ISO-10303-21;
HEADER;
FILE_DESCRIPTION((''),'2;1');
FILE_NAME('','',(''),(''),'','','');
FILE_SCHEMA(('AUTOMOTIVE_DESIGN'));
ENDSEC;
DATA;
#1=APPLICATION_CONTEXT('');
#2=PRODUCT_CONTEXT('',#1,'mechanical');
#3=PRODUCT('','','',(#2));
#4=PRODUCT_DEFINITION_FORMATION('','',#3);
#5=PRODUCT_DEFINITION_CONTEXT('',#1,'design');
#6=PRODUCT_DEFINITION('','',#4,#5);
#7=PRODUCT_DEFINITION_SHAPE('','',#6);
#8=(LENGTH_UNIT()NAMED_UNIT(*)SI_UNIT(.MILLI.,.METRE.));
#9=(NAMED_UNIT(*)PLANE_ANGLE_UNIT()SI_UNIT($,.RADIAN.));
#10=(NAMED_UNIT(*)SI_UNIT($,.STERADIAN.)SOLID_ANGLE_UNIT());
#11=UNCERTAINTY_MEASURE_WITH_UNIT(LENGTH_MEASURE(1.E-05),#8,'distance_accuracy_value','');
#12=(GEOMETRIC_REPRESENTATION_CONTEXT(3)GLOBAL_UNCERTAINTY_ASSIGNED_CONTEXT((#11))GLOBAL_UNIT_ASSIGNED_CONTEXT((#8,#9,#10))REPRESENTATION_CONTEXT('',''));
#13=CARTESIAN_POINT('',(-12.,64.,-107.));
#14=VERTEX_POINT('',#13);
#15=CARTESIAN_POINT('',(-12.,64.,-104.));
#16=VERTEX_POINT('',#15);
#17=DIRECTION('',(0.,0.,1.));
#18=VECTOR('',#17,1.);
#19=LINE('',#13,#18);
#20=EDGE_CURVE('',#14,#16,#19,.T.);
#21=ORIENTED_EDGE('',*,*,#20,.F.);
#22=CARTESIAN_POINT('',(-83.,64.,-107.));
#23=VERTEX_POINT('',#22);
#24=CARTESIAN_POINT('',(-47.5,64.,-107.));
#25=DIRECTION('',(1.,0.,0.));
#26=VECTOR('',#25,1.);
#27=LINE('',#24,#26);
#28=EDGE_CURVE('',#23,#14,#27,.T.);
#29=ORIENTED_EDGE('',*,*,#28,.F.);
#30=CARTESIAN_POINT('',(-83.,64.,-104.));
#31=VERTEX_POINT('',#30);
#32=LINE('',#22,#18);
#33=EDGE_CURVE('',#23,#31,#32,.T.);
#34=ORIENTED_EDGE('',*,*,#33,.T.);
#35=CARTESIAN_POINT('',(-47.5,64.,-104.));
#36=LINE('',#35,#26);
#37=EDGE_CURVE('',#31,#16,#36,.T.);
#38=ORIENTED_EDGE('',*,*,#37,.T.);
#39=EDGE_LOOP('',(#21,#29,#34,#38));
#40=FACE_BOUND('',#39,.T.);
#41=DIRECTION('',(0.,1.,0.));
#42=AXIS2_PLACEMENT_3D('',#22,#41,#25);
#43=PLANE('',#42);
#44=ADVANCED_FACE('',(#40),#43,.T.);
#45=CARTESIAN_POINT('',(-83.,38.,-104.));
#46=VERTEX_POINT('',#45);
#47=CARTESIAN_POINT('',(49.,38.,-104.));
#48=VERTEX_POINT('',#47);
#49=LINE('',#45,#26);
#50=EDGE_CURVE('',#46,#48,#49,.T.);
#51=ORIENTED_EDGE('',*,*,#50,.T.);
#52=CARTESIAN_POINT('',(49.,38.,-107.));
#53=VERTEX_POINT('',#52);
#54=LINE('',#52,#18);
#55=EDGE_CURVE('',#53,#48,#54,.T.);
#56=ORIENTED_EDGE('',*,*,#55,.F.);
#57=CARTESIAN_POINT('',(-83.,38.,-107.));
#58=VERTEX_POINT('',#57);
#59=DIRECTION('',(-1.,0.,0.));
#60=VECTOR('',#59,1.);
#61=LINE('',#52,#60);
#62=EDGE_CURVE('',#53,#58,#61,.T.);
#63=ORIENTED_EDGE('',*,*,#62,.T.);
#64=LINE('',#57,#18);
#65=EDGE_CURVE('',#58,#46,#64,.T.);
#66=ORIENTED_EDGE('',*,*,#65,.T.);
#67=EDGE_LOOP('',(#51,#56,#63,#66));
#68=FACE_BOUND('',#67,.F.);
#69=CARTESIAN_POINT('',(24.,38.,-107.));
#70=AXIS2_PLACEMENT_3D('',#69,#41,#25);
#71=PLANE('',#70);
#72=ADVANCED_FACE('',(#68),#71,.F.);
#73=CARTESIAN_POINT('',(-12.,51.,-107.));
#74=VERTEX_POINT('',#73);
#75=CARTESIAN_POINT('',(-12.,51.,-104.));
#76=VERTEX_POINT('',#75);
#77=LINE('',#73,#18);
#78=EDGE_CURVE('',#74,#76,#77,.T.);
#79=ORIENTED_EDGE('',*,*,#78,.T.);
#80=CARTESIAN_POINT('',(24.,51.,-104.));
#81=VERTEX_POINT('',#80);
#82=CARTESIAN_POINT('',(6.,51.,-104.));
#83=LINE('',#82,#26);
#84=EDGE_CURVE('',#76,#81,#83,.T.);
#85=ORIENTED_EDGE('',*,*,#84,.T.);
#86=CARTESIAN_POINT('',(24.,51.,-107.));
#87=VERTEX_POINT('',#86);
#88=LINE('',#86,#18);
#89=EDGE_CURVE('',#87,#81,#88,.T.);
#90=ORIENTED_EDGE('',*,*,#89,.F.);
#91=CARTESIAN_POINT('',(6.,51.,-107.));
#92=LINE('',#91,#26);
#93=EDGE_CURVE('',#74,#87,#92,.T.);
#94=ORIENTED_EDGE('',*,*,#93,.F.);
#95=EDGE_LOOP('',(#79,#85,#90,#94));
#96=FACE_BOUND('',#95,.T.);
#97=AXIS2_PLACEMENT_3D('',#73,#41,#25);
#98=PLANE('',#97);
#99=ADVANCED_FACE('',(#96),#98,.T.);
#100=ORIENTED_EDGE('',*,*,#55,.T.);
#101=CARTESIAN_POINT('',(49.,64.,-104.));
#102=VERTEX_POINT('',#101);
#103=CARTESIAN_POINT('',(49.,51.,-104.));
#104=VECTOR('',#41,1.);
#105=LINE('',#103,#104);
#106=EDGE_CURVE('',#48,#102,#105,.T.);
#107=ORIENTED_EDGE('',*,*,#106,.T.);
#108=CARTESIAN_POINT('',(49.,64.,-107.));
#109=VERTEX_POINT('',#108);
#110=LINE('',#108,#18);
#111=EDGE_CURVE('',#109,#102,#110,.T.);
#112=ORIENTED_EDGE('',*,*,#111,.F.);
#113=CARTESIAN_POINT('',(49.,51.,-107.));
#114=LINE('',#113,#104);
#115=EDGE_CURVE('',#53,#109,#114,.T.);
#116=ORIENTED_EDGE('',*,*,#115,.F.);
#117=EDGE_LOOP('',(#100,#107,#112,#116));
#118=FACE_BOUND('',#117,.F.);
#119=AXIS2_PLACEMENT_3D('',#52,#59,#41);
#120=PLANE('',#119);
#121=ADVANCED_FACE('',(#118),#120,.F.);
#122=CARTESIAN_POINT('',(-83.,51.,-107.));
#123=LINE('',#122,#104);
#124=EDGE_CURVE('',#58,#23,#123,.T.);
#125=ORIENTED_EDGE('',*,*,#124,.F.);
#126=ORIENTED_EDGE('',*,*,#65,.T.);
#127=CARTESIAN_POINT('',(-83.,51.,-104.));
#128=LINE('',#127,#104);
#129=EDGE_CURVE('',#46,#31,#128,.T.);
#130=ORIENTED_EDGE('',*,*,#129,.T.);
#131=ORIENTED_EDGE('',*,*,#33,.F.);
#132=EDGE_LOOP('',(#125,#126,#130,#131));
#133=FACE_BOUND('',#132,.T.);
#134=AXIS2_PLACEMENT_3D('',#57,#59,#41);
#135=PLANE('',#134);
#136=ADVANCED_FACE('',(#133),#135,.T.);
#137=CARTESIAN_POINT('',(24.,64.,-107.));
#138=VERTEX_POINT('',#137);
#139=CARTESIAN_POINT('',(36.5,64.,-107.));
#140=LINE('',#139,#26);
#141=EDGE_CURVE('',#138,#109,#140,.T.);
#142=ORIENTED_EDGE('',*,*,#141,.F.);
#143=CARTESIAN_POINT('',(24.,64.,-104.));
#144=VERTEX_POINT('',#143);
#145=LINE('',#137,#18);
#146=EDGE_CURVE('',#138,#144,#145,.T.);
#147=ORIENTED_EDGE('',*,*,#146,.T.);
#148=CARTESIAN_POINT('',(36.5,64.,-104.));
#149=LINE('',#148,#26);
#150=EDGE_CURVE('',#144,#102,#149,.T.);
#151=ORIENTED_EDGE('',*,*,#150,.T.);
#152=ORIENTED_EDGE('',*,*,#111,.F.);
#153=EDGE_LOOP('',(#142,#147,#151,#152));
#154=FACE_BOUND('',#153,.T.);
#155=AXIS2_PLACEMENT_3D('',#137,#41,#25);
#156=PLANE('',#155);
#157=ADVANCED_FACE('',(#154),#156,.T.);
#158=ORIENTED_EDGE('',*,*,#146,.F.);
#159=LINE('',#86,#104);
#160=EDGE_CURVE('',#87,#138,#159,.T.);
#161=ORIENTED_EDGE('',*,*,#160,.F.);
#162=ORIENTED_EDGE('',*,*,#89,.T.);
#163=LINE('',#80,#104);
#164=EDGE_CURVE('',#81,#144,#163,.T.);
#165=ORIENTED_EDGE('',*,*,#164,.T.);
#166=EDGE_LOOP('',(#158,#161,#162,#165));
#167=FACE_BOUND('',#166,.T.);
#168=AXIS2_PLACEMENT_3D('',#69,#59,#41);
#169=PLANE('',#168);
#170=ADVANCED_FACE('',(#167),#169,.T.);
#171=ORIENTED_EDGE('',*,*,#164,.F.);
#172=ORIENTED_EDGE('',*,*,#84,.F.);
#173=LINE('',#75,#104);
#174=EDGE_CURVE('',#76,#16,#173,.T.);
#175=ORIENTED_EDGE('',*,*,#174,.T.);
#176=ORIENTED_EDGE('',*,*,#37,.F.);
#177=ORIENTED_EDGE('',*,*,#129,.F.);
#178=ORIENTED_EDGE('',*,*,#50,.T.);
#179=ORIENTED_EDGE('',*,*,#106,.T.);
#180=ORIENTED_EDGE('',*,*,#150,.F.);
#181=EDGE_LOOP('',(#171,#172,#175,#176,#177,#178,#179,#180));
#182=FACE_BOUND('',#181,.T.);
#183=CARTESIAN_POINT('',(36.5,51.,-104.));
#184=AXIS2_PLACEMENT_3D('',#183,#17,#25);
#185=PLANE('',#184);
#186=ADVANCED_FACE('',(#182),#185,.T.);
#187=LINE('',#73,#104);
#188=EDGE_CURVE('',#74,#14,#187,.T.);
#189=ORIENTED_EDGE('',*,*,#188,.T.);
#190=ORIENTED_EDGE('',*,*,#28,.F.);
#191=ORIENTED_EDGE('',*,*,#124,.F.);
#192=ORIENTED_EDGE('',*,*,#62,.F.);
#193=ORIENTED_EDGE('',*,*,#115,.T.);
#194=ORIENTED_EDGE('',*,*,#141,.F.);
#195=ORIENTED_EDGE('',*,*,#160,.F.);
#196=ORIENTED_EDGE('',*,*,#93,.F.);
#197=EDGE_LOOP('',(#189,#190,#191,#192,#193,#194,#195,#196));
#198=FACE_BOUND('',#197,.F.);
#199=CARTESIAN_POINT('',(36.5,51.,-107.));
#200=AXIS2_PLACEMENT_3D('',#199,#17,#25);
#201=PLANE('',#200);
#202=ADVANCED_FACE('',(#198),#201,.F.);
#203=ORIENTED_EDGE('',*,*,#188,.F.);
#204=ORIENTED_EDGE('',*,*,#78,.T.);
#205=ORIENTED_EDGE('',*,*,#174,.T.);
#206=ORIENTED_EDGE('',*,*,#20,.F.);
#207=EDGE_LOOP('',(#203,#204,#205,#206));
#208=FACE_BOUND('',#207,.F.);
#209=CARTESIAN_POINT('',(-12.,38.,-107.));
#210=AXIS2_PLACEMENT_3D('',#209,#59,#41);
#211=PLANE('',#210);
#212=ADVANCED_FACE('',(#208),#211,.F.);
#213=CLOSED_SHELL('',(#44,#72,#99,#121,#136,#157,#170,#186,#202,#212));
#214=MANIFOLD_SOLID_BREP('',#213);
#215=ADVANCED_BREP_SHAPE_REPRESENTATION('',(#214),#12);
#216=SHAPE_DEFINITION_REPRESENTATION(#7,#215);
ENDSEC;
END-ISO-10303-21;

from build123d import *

# Parameters (mm, degrees)
BOX004_W     = 36
BOX004_H     = 13
BOX004_DEPTH = 3
BOX005_W     = 25
BOX005_H     = 26
BOX005_DEPTH = 3
BOX003_W     = 71
BOX003_H     = 26
BOX003_DEPTH = 3


with BuildPart() as cube004:
    # Box004 → Box004 (new body)
    with BuildSketch(Plane(origin=(-12, 38, -107), x_dir=(1, 0, 0), z_dir=(0, 0, 1))):
        with Locations((18, 6.5)):
            Rectangle(BOX004_W, BOX004_H)
    extrude(amount=BOX004_DEPTH)


with BuildPart() as cube005:
    # Box005 → Box005 (new body)
    with BuildSketch(Plane(origin=(24, 38, -107), x_dir=(1, 0, 0), z_dir=(0, 0, 1))):
        with Locations((12.5, 13)):
            Rectangle(BOX005_W, BOX005_H)
    extrude(amount=BOX005_DEPTH)


with BuildPart() as fusion:
    # Box003 → Box003 (new body)
    with BuildSketch(Plane(origin=(-83, 38, -107), x_dir=(1, 0, 0), z_dir=(0, 0, 1))):
        with Locations((35.5, 13)):
            Rectangle(BOX003_W, BOX003_H)
    extrude(amount=BOX003_DEPTH)

    # Fusion: union Cube004, Cube005
    add(cube004.part)
    add(cube005.part)


solid = fusion.part
